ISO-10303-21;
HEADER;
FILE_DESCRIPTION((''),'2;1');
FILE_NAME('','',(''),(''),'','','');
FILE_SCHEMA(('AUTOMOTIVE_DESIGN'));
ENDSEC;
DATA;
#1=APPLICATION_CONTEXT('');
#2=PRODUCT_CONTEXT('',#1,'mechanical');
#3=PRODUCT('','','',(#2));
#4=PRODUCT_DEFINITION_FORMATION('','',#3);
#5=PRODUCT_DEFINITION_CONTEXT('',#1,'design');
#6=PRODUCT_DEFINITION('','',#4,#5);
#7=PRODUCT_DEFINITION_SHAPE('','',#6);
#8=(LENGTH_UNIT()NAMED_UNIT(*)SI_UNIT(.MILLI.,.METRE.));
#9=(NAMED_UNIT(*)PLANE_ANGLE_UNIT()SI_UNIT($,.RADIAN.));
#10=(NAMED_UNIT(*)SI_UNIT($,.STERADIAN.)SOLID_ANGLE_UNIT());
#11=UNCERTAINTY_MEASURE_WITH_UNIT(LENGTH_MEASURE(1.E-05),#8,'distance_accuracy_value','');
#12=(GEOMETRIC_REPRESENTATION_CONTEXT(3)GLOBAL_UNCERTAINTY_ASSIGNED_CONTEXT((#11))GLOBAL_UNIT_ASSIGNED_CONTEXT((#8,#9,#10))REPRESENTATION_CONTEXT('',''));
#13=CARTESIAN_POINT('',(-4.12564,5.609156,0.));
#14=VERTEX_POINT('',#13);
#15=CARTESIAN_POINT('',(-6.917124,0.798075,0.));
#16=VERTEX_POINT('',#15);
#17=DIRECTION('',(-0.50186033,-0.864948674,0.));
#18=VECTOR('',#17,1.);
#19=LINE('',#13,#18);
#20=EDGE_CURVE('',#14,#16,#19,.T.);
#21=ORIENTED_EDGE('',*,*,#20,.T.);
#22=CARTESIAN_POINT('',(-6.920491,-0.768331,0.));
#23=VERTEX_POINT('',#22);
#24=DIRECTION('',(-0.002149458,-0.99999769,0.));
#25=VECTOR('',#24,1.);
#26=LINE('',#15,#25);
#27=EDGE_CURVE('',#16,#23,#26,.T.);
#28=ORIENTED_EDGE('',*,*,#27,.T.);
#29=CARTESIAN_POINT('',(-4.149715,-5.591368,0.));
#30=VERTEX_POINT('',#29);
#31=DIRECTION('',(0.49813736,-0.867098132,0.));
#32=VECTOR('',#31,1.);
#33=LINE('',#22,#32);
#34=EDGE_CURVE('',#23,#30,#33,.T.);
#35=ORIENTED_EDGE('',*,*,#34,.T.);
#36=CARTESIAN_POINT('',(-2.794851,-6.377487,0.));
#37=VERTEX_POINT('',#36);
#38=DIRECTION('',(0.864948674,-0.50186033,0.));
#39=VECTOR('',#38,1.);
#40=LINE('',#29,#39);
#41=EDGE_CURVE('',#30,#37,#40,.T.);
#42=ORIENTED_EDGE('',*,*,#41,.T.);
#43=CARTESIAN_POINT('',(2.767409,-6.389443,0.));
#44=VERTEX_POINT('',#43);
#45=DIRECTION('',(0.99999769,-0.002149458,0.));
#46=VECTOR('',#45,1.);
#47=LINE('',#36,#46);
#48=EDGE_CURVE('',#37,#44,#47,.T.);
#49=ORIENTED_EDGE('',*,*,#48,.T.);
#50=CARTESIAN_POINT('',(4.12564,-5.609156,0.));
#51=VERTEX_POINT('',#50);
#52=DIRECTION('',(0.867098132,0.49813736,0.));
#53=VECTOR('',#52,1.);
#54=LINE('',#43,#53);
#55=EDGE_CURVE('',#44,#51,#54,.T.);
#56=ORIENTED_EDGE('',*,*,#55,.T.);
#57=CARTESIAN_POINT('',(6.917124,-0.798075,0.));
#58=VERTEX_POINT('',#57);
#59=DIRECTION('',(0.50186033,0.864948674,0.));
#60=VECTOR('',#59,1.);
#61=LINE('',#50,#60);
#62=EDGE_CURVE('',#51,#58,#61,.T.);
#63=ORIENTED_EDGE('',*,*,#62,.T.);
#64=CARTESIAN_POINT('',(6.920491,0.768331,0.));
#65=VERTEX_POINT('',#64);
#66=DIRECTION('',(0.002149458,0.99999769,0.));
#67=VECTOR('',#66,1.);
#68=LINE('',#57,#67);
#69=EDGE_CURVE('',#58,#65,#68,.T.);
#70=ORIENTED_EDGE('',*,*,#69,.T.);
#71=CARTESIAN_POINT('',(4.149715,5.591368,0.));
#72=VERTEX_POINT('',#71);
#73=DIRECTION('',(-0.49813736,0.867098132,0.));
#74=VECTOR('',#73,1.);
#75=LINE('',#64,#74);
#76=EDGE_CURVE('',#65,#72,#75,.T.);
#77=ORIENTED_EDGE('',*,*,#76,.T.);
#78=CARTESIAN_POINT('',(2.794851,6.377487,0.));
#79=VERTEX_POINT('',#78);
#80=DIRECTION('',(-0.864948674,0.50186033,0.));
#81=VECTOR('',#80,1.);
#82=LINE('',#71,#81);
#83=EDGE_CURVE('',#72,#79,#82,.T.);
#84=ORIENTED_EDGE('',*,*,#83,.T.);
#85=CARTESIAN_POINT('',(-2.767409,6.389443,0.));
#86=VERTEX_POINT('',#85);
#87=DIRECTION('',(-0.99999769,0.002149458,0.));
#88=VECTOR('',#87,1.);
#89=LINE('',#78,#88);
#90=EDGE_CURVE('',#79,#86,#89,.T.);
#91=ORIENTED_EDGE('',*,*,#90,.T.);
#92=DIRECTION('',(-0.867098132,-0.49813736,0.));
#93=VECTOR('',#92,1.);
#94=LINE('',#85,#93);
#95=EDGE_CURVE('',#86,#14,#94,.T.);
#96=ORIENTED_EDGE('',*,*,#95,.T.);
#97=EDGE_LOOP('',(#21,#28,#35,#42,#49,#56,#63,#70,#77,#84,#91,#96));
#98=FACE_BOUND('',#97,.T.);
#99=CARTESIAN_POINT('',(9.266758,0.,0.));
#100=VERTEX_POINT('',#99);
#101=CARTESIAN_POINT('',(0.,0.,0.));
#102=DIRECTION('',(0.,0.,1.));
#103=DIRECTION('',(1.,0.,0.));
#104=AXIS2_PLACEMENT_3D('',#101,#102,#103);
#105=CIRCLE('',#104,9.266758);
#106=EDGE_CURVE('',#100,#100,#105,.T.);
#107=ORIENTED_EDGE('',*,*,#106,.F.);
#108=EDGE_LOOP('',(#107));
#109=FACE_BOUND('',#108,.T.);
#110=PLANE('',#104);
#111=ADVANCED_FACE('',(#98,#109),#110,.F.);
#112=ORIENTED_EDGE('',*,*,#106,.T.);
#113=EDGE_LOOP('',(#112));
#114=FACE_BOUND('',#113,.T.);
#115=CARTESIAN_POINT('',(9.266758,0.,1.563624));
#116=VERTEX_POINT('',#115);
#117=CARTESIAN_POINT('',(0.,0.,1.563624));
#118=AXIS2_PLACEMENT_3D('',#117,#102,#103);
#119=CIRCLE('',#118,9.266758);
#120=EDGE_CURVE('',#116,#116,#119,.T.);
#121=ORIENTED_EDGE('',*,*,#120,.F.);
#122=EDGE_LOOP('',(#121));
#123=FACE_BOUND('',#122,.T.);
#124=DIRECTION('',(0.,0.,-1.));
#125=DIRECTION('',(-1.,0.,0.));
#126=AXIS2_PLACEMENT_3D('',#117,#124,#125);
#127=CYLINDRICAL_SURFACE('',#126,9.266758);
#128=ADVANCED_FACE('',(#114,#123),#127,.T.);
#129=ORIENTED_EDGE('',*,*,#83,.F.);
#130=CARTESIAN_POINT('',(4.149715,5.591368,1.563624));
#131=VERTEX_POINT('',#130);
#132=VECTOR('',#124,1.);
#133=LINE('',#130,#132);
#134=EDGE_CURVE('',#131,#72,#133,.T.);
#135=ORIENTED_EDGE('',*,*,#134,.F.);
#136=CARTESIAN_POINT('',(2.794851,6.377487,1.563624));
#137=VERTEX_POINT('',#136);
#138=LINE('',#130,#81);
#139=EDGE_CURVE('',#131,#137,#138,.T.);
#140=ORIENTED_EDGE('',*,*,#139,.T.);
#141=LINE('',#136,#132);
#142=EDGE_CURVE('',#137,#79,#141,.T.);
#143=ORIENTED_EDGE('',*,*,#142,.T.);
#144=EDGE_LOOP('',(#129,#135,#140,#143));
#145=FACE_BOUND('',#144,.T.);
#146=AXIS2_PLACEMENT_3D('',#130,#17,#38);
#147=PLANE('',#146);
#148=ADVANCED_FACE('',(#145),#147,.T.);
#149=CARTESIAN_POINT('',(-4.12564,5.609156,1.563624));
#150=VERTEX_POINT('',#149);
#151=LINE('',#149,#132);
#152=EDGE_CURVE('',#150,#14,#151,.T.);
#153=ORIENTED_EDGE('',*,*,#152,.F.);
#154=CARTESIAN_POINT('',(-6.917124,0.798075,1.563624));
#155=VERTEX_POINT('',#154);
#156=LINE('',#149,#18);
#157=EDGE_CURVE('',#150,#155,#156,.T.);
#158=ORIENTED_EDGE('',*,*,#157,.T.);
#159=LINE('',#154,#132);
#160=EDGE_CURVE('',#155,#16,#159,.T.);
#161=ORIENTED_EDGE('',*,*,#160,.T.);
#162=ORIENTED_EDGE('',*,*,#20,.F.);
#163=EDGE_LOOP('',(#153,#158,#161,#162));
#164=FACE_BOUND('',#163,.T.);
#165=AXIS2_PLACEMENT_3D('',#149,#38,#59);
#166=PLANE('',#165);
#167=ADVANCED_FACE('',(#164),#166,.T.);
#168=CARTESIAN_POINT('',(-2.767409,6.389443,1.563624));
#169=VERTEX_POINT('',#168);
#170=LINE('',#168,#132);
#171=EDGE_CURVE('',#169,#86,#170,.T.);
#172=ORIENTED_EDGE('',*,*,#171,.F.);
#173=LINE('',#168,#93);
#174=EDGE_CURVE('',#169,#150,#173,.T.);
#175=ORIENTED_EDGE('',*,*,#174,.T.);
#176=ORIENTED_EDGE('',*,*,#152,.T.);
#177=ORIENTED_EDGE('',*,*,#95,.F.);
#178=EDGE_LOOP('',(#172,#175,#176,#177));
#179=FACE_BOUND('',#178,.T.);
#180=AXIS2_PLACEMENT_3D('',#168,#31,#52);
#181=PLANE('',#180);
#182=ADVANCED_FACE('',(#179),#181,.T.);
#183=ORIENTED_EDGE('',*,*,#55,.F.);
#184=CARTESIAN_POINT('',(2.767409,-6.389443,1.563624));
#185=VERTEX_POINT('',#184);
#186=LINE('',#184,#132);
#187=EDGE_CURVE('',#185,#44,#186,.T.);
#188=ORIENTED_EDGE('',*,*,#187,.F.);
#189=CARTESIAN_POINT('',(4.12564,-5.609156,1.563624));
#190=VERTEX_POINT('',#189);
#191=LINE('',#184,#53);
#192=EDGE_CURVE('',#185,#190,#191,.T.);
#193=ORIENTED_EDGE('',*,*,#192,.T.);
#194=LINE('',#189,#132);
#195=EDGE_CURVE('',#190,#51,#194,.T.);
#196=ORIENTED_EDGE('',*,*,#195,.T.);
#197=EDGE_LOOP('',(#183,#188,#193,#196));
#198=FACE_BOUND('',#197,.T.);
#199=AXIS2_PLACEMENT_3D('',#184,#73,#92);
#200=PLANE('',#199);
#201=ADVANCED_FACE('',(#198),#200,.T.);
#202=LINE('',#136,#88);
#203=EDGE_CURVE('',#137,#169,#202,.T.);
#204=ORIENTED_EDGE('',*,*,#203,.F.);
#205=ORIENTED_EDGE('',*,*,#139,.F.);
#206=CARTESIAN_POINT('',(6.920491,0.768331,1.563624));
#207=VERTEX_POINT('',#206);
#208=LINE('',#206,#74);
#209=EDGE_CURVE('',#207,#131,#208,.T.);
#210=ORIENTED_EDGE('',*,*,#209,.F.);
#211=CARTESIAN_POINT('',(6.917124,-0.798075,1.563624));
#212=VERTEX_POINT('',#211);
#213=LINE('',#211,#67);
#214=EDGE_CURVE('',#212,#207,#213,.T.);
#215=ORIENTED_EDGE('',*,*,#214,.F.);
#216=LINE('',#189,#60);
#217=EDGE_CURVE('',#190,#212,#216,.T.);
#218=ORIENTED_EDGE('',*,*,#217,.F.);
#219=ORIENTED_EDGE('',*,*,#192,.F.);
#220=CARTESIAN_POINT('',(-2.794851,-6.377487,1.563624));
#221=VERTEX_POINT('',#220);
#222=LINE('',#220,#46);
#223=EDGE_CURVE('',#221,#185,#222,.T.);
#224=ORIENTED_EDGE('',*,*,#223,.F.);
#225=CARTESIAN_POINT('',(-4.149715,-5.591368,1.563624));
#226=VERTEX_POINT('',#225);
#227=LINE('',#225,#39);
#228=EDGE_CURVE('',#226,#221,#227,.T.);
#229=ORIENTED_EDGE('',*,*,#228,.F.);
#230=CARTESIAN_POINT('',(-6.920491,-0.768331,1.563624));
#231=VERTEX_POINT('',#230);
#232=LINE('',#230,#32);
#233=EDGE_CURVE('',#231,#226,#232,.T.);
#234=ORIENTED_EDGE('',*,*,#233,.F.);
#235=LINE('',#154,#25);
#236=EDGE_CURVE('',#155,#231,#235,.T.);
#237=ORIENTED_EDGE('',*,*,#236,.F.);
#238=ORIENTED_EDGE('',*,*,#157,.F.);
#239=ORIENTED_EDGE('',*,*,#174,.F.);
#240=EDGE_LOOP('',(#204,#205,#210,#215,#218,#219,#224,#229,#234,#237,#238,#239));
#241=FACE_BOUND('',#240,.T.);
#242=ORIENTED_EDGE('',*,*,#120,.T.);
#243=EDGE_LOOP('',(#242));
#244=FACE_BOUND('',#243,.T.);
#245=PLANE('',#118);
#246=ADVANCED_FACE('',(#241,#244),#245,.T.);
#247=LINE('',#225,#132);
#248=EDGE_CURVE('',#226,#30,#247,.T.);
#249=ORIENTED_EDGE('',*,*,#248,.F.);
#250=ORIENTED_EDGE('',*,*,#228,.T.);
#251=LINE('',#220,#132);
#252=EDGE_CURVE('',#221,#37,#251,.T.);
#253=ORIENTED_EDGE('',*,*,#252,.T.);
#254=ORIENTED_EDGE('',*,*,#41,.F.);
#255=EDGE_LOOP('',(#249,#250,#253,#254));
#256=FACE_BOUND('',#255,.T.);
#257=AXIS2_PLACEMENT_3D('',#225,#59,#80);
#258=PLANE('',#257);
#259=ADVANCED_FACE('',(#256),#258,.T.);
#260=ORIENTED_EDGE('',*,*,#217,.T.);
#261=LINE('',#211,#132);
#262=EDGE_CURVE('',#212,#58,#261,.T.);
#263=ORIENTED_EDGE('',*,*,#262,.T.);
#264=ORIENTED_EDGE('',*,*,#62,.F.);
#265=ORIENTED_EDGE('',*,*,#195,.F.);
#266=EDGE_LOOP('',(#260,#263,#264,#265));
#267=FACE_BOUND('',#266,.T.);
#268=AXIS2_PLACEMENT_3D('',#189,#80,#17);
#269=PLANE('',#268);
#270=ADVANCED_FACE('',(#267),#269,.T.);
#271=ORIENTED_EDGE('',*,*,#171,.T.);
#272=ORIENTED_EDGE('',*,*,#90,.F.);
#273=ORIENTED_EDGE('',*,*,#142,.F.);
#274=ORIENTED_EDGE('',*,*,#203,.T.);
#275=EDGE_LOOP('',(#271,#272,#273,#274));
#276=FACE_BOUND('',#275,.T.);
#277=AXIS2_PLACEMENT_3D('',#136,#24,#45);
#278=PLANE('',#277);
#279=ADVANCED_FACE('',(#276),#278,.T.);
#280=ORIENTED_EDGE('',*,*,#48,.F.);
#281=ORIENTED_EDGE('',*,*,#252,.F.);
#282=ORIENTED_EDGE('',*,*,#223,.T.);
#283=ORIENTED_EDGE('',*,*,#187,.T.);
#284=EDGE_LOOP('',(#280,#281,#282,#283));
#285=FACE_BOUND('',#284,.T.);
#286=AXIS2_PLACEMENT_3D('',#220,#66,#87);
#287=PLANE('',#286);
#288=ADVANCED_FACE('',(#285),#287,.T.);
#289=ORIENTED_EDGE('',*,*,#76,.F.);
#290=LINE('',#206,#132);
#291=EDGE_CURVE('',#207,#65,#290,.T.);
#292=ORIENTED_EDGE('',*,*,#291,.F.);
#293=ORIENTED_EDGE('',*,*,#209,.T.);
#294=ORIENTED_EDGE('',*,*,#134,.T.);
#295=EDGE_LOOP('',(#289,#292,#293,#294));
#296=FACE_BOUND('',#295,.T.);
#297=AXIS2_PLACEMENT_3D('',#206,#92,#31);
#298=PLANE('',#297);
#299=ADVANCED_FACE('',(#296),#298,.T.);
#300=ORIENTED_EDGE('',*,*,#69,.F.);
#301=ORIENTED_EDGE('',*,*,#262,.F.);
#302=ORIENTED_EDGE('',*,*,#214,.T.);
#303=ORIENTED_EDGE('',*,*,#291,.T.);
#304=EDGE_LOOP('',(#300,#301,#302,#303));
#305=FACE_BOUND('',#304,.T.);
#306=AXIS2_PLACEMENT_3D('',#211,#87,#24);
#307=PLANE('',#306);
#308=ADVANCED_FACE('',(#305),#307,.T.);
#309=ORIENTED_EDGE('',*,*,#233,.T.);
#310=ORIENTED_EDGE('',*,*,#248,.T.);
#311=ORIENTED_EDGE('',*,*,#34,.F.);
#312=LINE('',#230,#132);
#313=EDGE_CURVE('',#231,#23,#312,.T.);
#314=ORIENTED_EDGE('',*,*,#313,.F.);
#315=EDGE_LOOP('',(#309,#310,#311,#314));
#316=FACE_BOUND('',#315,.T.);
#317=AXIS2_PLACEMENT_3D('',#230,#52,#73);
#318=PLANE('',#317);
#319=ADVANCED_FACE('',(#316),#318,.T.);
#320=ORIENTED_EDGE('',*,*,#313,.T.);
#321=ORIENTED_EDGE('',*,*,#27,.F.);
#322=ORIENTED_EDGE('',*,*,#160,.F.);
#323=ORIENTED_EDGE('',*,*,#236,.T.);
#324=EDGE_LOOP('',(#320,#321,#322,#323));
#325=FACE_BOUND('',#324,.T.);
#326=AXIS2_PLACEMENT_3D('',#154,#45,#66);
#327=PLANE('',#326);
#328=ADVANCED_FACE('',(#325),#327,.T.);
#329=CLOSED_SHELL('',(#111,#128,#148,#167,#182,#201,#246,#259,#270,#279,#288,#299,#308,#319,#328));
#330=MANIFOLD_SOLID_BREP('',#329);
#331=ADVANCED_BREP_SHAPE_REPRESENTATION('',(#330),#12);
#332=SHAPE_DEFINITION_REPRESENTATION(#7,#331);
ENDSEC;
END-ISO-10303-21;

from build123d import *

# Parameters (mm, degrees)
SKETCH1_R           = 9.266757501
BOSS_EXTRUDE1_DEPTH = 1.563624


with BuildPart() as part:
    # Sketch1 → Boss-Extrude1 (new body)
    with BuildSketch(Plane.XY):
        Circle(SKETCH1_R)
        Polygon((-2.767409235, 6.38944281), (-4.125640066, 5.60915567), (-6.917124407, 0.798074705), (-6.920491338, -0.768331269), (-4.149715172, -5.591368105), (-2.794851271, -6.377486939), (2.767409235, -6.38944281), (4.125640066, -5.60915567), (6.917124407, -0.798074705), (6.920491338, 0.768331269), (4.149715172, 5.591368105), (2.794851271, 6.377486939), align=None, mode=Mode.SUBTRACT)
    extrude(amount=BOSS_EXTRUDE1_DEPTH)


solid = part.part
